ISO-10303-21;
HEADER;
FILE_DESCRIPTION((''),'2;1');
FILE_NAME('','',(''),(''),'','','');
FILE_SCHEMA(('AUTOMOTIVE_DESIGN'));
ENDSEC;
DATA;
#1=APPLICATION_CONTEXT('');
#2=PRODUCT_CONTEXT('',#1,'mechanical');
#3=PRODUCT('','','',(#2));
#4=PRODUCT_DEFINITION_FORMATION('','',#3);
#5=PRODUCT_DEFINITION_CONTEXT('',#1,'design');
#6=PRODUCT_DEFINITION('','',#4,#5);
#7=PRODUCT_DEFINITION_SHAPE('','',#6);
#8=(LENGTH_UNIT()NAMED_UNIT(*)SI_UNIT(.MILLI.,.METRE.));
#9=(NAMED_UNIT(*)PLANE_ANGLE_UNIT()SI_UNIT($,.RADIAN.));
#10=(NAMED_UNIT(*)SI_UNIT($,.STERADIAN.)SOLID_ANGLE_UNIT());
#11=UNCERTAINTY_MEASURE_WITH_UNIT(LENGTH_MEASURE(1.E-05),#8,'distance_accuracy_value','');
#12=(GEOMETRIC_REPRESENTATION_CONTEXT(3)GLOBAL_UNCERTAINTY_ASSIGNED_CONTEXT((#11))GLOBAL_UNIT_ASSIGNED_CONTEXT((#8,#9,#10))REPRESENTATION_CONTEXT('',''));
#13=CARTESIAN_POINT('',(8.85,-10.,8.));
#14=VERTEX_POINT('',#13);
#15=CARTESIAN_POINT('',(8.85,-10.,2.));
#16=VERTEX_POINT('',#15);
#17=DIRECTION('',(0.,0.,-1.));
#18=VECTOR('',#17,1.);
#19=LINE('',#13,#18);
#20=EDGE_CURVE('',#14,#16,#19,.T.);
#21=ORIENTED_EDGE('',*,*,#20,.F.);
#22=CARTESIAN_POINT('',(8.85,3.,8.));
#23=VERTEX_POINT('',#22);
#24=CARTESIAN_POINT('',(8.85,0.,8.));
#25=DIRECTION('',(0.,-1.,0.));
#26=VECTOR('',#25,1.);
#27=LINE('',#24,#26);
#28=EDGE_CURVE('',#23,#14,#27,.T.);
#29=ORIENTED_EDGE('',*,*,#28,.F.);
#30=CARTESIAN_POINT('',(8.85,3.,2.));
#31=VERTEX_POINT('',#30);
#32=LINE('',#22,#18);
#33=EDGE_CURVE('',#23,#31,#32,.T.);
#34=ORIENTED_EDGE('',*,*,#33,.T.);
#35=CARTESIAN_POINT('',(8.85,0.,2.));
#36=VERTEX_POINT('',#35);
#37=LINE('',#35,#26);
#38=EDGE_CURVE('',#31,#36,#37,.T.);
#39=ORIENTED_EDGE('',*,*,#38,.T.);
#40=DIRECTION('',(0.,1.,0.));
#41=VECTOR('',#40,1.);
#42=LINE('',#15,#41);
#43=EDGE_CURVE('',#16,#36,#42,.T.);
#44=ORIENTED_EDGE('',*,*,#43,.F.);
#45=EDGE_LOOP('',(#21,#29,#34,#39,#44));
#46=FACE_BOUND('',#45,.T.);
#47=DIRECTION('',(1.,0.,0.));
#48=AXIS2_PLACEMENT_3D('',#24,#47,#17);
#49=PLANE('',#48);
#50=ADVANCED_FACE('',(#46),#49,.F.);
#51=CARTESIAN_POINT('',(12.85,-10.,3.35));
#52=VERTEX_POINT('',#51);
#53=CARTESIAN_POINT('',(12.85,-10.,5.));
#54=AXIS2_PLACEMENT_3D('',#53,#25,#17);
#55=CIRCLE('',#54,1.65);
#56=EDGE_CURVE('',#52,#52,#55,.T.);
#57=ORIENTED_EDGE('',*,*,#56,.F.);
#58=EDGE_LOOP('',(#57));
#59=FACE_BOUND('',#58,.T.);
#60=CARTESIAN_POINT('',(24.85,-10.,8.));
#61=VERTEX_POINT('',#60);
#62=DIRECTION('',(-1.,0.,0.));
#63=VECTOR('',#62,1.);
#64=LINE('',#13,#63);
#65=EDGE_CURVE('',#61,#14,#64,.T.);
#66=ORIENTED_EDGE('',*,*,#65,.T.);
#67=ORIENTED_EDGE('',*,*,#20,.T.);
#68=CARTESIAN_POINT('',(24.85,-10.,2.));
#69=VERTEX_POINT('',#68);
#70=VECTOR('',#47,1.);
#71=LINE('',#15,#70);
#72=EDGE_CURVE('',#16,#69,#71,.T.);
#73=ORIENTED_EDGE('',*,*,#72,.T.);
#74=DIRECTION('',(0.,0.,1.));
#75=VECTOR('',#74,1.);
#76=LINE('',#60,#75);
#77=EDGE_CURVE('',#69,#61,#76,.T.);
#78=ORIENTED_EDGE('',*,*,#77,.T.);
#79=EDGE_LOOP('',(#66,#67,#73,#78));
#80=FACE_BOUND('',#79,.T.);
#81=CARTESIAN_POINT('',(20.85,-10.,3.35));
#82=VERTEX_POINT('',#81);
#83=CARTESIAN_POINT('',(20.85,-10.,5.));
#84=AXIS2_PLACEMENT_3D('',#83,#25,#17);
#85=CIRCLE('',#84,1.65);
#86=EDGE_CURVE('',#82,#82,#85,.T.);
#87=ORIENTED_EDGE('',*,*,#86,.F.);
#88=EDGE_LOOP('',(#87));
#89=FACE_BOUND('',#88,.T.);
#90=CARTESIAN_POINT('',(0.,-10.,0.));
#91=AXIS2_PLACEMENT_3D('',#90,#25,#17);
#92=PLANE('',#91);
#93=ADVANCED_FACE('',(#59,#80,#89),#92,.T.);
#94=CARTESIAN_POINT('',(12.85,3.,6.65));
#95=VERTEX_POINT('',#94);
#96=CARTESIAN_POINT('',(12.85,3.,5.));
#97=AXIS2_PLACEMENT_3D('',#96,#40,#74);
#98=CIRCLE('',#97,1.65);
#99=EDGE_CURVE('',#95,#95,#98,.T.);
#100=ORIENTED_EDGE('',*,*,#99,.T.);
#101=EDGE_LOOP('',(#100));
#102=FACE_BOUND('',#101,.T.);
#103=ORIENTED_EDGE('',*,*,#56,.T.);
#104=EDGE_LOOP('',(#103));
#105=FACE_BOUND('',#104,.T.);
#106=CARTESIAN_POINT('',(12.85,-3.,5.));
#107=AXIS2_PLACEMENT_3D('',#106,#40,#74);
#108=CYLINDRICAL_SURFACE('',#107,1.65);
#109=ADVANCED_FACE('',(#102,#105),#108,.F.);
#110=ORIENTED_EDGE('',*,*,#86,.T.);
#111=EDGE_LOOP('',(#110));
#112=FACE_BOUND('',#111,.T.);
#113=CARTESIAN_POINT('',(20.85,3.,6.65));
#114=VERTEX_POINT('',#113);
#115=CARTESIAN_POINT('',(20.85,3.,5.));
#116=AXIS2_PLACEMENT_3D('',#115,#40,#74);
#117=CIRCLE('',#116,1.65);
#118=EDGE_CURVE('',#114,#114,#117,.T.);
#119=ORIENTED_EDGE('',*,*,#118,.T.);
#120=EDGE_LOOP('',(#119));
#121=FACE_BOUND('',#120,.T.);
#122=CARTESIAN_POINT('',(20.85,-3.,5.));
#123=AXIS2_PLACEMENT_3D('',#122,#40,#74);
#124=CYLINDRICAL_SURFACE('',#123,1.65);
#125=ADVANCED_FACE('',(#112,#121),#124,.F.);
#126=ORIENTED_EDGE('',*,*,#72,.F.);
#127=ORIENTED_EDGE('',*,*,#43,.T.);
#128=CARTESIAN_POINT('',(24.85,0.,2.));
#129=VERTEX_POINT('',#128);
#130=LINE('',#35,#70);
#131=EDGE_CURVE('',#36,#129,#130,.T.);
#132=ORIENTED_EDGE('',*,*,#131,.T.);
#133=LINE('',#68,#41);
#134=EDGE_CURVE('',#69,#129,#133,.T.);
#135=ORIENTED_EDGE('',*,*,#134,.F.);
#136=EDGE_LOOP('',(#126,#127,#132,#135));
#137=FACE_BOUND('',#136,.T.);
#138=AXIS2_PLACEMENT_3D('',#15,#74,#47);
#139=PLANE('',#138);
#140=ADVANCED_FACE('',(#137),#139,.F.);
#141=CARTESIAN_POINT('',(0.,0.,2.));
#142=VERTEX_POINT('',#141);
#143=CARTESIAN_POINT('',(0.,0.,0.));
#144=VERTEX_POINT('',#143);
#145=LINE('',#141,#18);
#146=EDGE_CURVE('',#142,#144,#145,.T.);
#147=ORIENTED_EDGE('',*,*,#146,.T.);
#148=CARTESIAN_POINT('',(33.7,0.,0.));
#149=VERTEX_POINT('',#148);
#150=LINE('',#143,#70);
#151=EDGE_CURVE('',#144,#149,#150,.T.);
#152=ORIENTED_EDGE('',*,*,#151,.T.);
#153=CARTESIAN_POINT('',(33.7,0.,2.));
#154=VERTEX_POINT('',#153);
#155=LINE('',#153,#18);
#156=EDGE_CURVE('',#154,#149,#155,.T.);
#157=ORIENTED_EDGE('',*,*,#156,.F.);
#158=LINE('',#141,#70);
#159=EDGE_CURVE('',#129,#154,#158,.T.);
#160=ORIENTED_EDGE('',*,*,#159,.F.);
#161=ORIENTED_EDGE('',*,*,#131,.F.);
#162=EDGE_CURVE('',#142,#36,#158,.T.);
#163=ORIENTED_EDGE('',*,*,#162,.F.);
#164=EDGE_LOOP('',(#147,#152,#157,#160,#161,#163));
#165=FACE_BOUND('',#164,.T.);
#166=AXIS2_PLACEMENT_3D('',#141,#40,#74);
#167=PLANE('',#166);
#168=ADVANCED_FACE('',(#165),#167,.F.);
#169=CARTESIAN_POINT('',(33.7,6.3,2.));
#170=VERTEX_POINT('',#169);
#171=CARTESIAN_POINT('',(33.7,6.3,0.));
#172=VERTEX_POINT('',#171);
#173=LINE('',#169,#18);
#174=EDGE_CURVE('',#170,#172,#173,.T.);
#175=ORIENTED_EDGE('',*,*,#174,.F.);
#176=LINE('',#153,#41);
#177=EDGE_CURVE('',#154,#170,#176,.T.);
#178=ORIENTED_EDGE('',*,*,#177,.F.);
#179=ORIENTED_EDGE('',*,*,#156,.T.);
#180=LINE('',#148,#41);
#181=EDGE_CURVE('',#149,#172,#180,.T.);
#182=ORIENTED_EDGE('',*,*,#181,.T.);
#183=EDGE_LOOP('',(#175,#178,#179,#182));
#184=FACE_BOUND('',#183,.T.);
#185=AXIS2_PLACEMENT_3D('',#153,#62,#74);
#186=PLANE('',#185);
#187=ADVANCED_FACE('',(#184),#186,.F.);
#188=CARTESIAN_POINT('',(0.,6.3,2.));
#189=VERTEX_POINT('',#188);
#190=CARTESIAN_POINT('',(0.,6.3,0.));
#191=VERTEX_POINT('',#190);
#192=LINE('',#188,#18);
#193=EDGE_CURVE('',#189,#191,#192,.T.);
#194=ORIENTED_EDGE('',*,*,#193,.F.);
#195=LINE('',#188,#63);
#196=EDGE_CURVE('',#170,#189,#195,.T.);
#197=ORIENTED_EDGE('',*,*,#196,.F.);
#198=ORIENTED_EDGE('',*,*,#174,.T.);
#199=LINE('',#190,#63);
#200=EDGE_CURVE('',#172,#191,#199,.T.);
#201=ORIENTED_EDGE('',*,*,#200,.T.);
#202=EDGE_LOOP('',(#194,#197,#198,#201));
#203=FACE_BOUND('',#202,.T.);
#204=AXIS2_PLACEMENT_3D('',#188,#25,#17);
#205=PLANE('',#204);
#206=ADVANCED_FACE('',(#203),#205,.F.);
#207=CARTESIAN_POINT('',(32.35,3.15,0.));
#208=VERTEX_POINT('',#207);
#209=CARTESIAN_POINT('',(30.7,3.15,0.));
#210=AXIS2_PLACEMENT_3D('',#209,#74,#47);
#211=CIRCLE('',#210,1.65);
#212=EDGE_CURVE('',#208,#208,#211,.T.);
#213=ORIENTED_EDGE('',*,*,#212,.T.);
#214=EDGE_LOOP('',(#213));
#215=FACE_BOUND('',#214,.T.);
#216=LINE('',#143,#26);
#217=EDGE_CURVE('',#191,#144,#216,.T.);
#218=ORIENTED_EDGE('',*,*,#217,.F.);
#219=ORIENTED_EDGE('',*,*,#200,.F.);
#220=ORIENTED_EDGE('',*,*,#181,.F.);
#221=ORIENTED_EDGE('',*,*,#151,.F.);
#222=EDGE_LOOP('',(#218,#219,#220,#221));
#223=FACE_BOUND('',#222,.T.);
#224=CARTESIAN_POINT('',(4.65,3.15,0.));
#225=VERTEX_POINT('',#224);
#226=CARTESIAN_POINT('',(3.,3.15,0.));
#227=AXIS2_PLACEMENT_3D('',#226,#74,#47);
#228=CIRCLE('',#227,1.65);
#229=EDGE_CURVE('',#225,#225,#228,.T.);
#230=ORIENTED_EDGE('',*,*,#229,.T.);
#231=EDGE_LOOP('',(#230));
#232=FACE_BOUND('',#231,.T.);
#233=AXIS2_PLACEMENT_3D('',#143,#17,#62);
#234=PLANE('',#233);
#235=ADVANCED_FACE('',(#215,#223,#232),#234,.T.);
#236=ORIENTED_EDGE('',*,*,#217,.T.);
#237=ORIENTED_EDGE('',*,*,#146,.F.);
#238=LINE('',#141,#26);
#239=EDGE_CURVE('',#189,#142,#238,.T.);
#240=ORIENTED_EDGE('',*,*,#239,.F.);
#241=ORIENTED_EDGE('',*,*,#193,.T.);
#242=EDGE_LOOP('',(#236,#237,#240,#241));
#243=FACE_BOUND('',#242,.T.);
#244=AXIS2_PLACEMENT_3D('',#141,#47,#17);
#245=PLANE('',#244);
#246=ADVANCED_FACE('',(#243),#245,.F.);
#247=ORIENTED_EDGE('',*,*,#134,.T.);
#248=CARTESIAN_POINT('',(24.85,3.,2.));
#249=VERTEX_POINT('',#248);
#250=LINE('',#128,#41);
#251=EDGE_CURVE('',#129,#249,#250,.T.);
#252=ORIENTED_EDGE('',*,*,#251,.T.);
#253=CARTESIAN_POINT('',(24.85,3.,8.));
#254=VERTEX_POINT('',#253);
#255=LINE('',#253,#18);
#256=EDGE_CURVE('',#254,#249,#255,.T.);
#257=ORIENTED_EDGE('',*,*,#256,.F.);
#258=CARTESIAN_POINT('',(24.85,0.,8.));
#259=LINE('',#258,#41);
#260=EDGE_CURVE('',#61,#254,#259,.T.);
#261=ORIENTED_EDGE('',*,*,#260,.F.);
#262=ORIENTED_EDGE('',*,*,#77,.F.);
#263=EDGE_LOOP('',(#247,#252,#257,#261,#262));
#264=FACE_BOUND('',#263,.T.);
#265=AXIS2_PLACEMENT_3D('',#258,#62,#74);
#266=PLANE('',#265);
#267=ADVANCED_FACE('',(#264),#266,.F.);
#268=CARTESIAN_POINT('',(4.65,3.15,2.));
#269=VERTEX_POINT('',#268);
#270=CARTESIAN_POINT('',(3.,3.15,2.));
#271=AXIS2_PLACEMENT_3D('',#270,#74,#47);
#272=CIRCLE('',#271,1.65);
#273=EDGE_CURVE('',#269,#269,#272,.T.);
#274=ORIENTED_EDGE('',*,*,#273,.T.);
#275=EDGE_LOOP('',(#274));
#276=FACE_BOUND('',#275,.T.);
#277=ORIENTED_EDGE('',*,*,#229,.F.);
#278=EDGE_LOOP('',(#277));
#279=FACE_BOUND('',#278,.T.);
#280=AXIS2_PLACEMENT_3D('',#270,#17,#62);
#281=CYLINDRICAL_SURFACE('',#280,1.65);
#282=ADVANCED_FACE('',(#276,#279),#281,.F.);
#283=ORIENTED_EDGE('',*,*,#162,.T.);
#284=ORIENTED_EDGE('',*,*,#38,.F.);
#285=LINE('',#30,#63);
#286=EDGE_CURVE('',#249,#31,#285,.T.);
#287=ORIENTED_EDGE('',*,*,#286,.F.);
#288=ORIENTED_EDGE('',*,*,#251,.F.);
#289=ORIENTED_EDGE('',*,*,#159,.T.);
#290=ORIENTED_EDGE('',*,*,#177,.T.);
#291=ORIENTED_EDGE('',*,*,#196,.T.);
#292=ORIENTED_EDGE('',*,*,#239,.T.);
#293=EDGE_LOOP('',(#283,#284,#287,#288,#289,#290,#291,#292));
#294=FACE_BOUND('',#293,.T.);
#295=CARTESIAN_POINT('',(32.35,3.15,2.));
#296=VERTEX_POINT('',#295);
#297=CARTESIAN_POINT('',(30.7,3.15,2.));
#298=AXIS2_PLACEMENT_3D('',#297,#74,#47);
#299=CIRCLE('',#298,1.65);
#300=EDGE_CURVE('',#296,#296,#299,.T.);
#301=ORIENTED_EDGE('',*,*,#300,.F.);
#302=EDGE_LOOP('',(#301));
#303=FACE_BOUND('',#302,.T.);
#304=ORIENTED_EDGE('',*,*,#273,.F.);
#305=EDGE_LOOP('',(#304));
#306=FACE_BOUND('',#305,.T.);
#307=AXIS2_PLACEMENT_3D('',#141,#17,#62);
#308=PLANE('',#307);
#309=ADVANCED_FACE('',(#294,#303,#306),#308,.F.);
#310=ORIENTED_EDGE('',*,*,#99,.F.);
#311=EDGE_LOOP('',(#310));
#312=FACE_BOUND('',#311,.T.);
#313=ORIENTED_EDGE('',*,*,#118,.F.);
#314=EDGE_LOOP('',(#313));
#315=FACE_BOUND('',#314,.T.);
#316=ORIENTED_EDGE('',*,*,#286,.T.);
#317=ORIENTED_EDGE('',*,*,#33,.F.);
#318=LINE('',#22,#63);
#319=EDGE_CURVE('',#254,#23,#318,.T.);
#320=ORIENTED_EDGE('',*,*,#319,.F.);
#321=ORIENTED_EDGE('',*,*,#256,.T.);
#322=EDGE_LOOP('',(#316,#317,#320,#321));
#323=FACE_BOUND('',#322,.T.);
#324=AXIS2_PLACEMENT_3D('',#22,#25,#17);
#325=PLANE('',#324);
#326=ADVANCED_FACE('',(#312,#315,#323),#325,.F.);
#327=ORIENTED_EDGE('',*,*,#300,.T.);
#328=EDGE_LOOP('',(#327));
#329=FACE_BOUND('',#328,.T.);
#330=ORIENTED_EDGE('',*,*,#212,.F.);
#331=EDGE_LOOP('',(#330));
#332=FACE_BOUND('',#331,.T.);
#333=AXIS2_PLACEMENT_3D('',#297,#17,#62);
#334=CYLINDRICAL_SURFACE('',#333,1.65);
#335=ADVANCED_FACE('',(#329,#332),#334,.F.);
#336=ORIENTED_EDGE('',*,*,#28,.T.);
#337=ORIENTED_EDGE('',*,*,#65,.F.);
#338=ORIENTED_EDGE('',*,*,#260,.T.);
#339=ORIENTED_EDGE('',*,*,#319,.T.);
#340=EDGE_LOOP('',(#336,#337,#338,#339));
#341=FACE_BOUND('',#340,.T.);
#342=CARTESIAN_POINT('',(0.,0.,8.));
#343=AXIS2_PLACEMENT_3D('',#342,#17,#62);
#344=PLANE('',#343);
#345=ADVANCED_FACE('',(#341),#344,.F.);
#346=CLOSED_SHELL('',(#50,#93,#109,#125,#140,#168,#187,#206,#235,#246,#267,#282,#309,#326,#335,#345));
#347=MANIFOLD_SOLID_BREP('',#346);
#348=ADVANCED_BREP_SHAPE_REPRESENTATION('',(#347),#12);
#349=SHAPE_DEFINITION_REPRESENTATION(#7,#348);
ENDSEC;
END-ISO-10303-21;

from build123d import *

# Parameters (mm, degrees)
SKETCH1_W           = 33.7
SKETCH1_H           = 6.3
SKETCH1_R           = 1.65
BOSS_EXTRUDE1_DEPTH = 2
SKETCH2_W           = 16
SKETCH2_H           = 3
BOSS_EXTRUDE2_DEPTH = 6
SKETCH3_R           = 1.65
CUT_EXTRUDE1_DEPTH  = 6
SKETCH4_W           = 16
SKETCH4_H           = 6
SKETCH4_R           = 1.65
BOSS_EXTRUDE3_DEPTH = 10


with BuildPart() as part:
    # Sketch1 → Boss-Extrude1 (new body)
    with BuildSketch(Plane.XY):
        with Locations((16.85, 3.15)):
            Rectangle(SKETCH1_W, SKETCH1_H)
        with Locations((3, 3.15)):
            Circle(SKETCH1_R, mode=Mode.SUBTRACT)
        with Locations((30.7, 3.15)):
            Circle(SKETCH1_R, mode=Mode.SUBTRACT)
    extrude(amount=BOSS_EXTRUDE1_DEPTH)

    # Sketch2 → Boss-Extrude2 (add)
    with BuildSketch(Plane.XY.offset(2)):
        with Locations((16.85, 1.5)):
            Rectangle(SKETCH2_W, SKETCH2_H)
    extrude(amount=BOSS_EXTRUDE2_DEPTH)

    # Sketch3 → Cut-Extrude1 (cut)
    with BuildSketch(Plane(origin=(0, 3, 0), x_dir=(1, 0, 0), z_dir=(0, 1, 0))):
        with Locations((12.85, -5)):
            Circle(SKETCH3_R)
        with Locations((20.85, -5)):
            Circle(SKETCH3_R)
    extrude(amount=-CUT_EXTRUDE1_DEPTH, mode=Mode.SUBTRACT)

    # Sketch4 → Boss-Extrude3 (add)
    with BuildSketch(Plane.XZ):
        with Locations((16.85, 5)):
            Rectangle(SKETCH4_W, SKETCH4_H)
        with Locations((12.85, 5)):
            Circle(SKETCH4_R, mode=Mode.SUBTRACT)
        with Locations((20.85, 5)):
            Circle(SKETCH4_R, mode=Mode.SUBTRACT)
    extrude(amount=BOSS_EXTRUDE3_DEPTH)


solid = part.part
